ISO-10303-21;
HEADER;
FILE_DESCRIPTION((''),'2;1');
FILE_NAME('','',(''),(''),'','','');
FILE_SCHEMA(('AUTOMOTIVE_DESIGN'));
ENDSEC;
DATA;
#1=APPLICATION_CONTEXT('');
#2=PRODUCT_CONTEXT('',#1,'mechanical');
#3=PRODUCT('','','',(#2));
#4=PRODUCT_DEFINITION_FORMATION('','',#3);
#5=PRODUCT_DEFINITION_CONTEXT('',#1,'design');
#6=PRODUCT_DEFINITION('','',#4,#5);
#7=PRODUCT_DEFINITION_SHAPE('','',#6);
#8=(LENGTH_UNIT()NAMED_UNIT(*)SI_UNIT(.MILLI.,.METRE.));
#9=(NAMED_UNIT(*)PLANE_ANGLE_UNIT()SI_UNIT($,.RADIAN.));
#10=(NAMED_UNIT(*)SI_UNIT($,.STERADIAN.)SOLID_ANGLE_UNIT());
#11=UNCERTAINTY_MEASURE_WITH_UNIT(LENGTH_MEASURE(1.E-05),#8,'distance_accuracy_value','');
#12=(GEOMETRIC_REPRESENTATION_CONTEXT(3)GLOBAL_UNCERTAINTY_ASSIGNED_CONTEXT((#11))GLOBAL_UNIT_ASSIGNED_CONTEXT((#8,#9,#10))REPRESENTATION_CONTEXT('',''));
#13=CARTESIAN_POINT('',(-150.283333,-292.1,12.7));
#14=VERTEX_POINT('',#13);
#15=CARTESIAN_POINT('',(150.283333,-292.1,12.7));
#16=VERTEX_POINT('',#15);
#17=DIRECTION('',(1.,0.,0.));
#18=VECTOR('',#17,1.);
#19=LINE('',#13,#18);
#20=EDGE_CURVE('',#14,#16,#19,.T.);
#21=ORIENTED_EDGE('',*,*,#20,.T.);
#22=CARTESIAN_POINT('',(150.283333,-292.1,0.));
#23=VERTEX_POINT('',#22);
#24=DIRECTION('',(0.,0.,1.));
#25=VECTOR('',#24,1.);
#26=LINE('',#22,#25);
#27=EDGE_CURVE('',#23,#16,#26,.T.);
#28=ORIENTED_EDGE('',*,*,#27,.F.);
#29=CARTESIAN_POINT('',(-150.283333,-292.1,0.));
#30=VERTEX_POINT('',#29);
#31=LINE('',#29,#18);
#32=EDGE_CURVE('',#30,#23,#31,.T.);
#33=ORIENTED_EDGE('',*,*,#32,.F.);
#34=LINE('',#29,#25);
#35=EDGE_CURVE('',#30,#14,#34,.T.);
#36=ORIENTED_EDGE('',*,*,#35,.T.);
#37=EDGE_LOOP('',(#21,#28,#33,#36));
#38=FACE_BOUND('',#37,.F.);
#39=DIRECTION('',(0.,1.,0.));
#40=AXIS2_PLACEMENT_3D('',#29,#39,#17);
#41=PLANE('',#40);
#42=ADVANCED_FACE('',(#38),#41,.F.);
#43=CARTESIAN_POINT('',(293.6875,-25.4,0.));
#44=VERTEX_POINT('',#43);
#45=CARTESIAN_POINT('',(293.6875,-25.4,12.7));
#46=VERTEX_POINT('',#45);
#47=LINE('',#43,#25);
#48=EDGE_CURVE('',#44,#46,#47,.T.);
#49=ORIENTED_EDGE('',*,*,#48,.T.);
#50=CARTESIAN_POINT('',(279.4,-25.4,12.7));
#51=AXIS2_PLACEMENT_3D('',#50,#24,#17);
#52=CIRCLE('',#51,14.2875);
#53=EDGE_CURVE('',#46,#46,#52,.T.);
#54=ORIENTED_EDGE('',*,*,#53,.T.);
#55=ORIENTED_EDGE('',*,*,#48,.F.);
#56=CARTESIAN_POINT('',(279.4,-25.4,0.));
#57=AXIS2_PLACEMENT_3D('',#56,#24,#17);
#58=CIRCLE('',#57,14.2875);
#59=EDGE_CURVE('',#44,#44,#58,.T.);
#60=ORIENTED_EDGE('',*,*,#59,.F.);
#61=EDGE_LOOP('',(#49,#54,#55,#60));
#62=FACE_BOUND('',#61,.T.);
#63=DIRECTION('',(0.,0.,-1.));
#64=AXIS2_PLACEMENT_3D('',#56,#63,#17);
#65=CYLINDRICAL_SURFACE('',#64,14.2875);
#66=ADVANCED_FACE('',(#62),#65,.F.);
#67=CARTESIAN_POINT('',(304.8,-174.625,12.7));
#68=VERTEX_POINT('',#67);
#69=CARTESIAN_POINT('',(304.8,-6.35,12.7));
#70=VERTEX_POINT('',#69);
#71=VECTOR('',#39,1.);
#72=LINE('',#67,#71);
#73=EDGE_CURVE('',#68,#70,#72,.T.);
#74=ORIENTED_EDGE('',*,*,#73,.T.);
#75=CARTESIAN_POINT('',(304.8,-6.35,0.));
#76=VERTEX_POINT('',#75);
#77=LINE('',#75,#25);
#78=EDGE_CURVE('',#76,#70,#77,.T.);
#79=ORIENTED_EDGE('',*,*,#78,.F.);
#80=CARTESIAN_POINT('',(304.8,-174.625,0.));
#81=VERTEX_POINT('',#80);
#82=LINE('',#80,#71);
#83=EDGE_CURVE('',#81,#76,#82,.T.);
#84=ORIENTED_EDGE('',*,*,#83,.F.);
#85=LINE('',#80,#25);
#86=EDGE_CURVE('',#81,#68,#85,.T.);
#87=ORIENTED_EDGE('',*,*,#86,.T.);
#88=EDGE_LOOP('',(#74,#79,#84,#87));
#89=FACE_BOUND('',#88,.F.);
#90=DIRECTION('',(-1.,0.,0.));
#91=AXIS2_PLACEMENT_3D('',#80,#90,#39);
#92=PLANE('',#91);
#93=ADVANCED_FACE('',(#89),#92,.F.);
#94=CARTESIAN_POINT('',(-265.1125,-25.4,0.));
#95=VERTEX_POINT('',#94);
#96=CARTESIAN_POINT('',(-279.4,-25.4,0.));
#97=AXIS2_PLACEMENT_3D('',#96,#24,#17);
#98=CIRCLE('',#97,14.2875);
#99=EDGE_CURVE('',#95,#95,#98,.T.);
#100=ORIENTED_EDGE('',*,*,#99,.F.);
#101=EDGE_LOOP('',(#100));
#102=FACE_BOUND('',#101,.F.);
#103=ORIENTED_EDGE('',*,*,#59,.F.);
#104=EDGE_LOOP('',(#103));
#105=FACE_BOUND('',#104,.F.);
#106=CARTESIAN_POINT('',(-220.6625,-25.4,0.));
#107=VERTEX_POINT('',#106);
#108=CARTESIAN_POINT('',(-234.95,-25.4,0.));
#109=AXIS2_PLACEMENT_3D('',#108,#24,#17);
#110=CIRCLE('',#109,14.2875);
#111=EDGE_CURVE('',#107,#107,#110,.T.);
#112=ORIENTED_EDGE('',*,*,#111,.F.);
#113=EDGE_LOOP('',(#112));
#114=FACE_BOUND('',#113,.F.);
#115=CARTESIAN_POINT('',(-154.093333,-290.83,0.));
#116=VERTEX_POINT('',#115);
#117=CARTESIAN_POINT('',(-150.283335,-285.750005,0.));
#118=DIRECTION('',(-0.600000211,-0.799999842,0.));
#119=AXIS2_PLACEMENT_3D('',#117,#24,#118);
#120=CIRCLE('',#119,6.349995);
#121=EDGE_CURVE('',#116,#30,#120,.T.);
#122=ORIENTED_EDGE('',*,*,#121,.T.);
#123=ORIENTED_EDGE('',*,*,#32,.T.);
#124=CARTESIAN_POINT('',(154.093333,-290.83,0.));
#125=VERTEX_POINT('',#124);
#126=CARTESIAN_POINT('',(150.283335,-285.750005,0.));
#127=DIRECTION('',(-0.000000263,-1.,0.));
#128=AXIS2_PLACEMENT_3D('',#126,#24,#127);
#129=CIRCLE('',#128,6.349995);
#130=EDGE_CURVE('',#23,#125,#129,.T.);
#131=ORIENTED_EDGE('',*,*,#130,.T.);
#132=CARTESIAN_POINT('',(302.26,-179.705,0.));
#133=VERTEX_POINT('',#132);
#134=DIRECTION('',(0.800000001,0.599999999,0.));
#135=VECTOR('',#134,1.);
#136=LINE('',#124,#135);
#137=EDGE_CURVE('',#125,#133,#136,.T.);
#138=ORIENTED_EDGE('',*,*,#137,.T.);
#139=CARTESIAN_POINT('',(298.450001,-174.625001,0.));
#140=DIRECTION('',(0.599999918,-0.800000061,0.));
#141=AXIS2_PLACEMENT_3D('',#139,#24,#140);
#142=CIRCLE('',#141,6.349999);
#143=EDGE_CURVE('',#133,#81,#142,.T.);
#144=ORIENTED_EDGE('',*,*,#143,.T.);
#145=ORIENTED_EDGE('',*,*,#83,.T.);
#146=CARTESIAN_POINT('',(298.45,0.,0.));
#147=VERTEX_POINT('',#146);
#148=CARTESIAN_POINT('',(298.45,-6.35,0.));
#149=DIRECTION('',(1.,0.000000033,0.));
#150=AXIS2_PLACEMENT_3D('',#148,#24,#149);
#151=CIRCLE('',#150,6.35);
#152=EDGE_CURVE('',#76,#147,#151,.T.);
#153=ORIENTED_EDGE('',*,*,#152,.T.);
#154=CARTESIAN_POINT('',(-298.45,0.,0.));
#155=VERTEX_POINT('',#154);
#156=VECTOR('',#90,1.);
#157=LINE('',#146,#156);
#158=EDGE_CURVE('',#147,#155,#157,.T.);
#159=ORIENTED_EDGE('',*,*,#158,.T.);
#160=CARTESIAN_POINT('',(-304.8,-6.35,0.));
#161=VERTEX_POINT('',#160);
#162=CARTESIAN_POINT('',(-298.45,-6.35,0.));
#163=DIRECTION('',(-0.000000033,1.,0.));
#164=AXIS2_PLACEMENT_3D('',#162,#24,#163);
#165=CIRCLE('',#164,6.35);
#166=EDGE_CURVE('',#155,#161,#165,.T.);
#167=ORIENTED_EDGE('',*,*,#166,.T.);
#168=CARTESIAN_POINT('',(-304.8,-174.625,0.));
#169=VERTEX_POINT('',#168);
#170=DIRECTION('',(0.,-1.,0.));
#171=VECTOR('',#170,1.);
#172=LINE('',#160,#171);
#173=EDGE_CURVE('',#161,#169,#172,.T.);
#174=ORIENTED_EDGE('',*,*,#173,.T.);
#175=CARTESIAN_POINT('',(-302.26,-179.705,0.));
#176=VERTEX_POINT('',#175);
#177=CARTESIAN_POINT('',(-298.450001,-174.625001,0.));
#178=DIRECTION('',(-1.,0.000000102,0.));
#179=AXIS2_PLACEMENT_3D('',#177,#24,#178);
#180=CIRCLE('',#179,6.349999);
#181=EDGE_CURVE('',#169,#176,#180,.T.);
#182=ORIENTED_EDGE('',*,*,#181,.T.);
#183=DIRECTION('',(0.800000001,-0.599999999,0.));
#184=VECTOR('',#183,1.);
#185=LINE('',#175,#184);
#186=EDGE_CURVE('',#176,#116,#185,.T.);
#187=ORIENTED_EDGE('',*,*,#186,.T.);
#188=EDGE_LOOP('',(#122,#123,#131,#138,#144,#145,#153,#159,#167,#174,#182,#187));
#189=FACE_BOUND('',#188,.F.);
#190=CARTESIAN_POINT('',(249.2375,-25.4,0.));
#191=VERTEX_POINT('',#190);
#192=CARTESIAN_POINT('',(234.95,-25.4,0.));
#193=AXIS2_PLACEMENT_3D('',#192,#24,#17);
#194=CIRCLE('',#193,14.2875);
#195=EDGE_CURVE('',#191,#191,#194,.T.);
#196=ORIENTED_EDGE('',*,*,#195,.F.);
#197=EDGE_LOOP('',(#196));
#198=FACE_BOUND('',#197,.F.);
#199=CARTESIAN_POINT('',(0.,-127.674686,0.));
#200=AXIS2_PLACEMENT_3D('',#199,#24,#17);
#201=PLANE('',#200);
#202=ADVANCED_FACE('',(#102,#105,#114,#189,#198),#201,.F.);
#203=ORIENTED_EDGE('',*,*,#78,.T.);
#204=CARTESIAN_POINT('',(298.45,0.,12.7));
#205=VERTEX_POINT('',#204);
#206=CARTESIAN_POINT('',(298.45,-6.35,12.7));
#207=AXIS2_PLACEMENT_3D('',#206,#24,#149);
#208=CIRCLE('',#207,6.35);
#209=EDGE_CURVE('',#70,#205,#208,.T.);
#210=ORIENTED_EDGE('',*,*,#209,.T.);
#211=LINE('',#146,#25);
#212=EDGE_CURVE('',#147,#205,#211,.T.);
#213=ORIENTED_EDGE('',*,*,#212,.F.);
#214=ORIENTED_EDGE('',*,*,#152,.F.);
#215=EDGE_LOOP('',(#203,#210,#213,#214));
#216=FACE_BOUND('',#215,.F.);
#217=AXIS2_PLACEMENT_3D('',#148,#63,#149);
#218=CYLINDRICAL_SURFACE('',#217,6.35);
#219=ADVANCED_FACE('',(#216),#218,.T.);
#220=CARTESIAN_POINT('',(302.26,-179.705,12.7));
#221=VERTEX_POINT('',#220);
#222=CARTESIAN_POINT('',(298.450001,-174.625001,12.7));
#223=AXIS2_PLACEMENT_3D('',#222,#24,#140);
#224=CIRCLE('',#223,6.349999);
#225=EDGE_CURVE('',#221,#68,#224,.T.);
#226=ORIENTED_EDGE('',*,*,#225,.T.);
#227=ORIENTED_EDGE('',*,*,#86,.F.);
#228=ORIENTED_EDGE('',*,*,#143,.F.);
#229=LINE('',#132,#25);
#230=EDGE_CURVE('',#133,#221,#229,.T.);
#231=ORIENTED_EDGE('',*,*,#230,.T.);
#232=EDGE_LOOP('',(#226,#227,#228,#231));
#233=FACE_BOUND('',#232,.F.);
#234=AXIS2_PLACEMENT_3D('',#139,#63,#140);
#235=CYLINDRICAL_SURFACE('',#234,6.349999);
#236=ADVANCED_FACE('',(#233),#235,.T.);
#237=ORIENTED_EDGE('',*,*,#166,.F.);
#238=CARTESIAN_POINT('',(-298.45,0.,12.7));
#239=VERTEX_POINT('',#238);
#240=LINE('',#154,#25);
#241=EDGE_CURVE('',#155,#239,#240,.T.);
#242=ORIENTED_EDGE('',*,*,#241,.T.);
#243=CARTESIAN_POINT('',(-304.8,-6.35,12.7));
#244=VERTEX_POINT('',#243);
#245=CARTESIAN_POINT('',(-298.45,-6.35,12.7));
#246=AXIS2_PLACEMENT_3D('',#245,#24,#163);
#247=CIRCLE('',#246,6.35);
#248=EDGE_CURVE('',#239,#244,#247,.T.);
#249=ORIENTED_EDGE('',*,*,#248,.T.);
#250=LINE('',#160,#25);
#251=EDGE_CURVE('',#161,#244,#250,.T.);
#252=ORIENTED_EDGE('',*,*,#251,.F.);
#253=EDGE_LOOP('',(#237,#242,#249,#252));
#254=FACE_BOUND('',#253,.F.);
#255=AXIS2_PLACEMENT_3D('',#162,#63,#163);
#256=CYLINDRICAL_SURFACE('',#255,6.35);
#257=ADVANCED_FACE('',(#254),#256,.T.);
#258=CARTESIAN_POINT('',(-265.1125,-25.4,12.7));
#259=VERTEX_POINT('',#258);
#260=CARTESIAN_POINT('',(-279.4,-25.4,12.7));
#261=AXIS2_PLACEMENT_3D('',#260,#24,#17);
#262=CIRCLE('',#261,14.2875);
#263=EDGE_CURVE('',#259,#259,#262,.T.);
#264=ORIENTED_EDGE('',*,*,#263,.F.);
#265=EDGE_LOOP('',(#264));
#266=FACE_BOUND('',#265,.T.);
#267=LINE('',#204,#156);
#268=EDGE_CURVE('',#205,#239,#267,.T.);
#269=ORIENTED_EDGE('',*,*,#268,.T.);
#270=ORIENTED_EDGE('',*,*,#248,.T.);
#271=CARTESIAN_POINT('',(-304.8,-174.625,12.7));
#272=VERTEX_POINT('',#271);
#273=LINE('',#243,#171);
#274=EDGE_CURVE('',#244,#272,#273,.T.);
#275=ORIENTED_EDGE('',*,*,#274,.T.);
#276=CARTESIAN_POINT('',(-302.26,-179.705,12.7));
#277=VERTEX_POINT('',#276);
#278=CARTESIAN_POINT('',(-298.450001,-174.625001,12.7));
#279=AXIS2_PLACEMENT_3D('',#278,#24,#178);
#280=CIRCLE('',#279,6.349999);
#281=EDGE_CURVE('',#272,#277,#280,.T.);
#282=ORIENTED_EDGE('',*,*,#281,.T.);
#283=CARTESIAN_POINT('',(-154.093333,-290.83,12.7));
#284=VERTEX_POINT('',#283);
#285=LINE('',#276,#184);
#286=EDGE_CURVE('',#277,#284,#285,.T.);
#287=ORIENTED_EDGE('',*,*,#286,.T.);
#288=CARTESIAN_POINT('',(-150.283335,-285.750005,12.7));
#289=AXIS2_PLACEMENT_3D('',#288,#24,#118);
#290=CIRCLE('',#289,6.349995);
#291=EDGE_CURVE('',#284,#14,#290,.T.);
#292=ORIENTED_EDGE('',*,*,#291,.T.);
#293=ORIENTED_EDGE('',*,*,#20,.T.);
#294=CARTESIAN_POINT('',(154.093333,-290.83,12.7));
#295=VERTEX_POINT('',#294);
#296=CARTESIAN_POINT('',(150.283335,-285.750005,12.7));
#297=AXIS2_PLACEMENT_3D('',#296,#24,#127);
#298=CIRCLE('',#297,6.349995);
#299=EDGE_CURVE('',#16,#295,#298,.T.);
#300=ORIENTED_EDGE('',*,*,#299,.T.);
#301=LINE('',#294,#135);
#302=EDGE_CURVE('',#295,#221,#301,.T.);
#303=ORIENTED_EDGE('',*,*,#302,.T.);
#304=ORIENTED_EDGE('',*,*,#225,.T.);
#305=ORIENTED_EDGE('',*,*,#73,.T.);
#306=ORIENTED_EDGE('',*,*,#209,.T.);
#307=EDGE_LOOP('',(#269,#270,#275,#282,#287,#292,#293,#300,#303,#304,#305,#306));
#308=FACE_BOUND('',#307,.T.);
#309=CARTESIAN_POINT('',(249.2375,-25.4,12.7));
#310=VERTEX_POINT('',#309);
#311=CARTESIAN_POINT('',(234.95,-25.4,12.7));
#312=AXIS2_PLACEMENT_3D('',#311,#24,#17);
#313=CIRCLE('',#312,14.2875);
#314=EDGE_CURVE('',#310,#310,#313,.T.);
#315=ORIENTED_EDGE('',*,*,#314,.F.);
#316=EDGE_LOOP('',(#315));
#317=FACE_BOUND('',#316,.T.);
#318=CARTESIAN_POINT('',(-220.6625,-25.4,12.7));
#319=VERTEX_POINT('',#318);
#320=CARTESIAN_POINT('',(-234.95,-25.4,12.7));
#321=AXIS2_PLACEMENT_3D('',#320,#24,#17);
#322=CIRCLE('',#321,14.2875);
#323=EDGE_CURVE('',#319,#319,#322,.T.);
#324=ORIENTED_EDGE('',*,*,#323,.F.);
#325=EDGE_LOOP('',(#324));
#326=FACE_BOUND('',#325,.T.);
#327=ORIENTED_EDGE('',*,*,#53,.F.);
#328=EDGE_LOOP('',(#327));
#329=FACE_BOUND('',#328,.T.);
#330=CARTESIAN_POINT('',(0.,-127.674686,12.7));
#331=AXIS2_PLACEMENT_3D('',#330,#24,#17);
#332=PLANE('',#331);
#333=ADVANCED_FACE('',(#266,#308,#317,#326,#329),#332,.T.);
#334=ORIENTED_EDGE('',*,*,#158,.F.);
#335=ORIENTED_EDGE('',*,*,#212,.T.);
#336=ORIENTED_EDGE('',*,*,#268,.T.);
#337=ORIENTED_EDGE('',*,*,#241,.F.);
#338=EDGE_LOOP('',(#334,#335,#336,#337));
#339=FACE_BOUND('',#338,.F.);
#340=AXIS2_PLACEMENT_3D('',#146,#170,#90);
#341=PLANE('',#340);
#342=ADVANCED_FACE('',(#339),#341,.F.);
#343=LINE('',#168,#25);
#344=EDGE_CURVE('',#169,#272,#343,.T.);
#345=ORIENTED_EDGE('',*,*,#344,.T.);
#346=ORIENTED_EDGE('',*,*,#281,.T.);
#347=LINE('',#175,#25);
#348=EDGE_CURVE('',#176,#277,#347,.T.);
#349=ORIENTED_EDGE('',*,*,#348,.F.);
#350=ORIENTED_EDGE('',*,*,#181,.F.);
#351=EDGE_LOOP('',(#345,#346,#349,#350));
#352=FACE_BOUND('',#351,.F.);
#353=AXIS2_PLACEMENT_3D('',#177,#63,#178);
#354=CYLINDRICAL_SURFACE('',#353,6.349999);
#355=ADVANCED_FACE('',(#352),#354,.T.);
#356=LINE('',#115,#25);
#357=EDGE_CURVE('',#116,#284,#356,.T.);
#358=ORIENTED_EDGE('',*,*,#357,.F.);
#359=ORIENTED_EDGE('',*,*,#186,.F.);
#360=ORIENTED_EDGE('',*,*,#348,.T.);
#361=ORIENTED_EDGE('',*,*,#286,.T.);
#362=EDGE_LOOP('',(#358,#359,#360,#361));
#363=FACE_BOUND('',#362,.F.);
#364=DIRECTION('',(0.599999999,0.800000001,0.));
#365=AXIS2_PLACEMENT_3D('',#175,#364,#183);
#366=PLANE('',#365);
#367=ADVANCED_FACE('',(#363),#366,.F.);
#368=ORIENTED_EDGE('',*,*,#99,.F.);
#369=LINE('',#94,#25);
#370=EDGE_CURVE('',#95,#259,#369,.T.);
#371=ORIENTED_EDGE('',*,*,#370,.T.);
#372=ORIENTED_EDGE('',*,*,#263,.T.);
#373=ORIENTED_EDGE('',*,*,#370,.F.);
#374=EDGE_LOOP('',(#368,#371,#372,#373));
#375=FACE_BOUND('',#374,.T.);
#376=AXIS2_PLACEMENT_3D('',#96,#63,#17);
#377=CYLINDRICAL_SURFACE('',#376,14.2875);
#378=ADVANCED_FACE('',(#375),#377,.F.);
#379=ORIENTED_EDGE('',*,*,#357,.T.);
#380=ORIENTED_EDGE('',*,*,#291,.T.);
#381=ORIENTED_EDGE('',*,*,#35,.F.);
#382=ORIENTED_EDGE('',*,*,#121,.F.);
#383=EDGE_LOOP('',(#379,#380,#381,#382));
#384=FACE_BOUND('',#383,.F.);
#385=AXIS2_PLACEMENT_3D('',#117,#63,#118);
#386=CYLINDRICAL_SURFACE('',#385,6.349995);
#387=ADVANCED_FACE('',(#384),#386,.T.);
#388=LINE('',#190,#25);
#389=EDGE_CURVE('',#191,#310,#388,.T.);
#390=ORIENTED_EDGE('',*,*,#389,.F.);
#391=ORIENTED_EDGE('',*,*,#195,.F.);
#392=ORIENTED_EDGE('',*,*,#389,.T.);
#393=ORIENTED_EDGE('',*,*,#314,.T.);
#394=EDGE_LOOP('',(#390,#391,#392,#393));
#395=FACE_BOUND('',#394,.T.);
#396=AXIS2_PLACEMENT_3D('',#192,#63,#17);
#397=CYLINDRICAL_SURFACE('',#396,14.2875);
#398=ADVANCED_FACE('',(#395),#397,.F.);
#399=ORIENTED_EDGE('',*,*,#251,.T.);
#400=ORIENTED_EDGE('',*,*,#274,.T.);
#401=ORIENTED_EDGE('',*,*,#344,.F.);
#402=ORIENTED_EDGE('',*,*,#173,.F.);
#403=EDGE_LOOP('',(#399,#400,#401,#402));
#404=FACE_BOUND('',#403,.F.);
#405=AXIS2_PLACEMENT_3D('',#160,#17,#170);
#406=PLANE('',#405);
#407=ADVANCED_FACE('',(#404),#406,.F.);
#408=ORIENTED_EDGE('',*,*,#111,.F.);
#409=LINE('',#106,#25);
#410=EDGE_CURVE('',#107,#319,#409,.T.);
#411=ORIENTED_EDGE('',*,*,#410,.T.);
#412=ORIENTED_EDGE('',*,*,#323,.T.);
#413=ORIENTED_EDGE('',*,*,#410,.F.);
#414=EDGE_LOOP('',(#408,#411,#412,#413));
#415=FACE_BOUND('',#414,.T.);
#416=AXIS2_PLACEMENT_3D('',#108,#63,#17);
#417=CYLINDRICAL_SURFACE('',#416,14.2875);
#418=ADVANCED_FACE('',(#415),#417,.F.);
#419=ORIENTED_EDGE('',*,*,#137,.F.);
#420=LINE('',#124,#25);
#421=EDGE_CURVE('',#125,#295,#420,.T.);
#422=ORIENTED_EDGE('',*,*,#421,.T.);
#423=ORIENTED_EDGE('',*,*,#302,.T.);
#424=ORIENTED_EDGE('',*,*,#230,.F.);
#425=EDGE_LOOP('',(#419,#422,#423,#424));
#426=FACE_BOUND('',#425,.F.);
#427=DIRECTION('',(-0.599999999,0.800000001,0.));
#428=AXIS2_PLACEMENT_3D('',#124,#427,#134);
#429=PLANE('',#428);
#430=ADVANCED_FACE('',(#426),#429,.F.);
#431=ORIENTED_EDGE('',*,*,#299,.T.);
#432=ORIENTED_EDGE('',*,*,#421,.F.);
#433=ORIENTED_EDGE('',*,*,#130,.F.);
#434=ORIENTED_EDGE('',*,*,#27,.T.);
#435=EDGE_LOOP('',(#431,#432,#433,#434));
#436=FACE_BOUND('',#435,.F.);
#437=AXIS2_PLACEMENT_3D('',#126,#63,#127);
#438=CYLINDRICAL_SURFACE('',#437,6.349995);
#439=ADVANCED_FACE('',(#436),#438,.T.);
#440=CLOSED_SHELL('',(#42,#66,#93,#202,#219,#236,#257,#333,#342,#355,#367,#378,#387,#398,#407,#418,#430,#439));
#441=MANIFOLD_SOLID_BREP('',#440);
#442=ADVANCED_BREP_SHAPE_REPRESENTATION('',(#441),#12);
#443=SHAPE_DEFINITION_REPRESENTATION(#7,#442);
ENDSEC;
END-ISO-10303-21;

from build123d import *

# Parameters (mm, degrees)
F0_R     = 14.2875
F1_DEPTH = 12.7


with BuildPart() as f1:
    # F0 (on Top) → F1 (new body)
    with BuildSketch(Plane.XY):
        with BuildLine():
            ThreePointArc((-298.45, 0), (-302.940128, -1.859872), (-304.8, -6.35))
            Line((-304.8, -6.35), (-304.8, -174.625))
            ThreePointArc((-304.8, -174.625), (-304.129613, -177.464806), (-302.26, -179.705))
            Line((-302.26, -179.705), (-154.093333, -290.83))
            ThreePointArc((-154.093333, -290.83), (-152.29138, -291.774139), (-150.283333, -292.1))
            Line((-150.283333, -292.1), (150.283333, -292.1))
            ThreePointArc((150.283333, -292.1), (152.29138, -291.774139), (154.093333, -290.83))
            Line((154.093333, -290.83), (302.26, -179.705))
            ThreePointArc((302.26, -179.705), (304.129613, -177.464806), (304.8, -174.625))
            Line((304.8, -174.625), (304.8, -6.35))
            ThreePointArc((304.8, -6.35), (302.940128, -1.859872), (298.45, 0))
            Line((298.45, 0), (-298.45, 0))
        make_face()
        with Locations((-279.4, -25.4)):
            Circle(F0_R, mode=Mode.SUBTRACT)
        with Locations((-234.95, -25.4)):
            Circle(F0_R, mode=Mode.SUBTRACT)
        with Locations((234.95, -25.4)):
            Circle(F0_R, mode=Mode.SUBTRACT)
        with Locations((279.4, -25.4)):
            Circle(F0_R, mode=Mode.SUBTRACT)
    extrude(amount=F1_DEPTH)


solid = f1.part
